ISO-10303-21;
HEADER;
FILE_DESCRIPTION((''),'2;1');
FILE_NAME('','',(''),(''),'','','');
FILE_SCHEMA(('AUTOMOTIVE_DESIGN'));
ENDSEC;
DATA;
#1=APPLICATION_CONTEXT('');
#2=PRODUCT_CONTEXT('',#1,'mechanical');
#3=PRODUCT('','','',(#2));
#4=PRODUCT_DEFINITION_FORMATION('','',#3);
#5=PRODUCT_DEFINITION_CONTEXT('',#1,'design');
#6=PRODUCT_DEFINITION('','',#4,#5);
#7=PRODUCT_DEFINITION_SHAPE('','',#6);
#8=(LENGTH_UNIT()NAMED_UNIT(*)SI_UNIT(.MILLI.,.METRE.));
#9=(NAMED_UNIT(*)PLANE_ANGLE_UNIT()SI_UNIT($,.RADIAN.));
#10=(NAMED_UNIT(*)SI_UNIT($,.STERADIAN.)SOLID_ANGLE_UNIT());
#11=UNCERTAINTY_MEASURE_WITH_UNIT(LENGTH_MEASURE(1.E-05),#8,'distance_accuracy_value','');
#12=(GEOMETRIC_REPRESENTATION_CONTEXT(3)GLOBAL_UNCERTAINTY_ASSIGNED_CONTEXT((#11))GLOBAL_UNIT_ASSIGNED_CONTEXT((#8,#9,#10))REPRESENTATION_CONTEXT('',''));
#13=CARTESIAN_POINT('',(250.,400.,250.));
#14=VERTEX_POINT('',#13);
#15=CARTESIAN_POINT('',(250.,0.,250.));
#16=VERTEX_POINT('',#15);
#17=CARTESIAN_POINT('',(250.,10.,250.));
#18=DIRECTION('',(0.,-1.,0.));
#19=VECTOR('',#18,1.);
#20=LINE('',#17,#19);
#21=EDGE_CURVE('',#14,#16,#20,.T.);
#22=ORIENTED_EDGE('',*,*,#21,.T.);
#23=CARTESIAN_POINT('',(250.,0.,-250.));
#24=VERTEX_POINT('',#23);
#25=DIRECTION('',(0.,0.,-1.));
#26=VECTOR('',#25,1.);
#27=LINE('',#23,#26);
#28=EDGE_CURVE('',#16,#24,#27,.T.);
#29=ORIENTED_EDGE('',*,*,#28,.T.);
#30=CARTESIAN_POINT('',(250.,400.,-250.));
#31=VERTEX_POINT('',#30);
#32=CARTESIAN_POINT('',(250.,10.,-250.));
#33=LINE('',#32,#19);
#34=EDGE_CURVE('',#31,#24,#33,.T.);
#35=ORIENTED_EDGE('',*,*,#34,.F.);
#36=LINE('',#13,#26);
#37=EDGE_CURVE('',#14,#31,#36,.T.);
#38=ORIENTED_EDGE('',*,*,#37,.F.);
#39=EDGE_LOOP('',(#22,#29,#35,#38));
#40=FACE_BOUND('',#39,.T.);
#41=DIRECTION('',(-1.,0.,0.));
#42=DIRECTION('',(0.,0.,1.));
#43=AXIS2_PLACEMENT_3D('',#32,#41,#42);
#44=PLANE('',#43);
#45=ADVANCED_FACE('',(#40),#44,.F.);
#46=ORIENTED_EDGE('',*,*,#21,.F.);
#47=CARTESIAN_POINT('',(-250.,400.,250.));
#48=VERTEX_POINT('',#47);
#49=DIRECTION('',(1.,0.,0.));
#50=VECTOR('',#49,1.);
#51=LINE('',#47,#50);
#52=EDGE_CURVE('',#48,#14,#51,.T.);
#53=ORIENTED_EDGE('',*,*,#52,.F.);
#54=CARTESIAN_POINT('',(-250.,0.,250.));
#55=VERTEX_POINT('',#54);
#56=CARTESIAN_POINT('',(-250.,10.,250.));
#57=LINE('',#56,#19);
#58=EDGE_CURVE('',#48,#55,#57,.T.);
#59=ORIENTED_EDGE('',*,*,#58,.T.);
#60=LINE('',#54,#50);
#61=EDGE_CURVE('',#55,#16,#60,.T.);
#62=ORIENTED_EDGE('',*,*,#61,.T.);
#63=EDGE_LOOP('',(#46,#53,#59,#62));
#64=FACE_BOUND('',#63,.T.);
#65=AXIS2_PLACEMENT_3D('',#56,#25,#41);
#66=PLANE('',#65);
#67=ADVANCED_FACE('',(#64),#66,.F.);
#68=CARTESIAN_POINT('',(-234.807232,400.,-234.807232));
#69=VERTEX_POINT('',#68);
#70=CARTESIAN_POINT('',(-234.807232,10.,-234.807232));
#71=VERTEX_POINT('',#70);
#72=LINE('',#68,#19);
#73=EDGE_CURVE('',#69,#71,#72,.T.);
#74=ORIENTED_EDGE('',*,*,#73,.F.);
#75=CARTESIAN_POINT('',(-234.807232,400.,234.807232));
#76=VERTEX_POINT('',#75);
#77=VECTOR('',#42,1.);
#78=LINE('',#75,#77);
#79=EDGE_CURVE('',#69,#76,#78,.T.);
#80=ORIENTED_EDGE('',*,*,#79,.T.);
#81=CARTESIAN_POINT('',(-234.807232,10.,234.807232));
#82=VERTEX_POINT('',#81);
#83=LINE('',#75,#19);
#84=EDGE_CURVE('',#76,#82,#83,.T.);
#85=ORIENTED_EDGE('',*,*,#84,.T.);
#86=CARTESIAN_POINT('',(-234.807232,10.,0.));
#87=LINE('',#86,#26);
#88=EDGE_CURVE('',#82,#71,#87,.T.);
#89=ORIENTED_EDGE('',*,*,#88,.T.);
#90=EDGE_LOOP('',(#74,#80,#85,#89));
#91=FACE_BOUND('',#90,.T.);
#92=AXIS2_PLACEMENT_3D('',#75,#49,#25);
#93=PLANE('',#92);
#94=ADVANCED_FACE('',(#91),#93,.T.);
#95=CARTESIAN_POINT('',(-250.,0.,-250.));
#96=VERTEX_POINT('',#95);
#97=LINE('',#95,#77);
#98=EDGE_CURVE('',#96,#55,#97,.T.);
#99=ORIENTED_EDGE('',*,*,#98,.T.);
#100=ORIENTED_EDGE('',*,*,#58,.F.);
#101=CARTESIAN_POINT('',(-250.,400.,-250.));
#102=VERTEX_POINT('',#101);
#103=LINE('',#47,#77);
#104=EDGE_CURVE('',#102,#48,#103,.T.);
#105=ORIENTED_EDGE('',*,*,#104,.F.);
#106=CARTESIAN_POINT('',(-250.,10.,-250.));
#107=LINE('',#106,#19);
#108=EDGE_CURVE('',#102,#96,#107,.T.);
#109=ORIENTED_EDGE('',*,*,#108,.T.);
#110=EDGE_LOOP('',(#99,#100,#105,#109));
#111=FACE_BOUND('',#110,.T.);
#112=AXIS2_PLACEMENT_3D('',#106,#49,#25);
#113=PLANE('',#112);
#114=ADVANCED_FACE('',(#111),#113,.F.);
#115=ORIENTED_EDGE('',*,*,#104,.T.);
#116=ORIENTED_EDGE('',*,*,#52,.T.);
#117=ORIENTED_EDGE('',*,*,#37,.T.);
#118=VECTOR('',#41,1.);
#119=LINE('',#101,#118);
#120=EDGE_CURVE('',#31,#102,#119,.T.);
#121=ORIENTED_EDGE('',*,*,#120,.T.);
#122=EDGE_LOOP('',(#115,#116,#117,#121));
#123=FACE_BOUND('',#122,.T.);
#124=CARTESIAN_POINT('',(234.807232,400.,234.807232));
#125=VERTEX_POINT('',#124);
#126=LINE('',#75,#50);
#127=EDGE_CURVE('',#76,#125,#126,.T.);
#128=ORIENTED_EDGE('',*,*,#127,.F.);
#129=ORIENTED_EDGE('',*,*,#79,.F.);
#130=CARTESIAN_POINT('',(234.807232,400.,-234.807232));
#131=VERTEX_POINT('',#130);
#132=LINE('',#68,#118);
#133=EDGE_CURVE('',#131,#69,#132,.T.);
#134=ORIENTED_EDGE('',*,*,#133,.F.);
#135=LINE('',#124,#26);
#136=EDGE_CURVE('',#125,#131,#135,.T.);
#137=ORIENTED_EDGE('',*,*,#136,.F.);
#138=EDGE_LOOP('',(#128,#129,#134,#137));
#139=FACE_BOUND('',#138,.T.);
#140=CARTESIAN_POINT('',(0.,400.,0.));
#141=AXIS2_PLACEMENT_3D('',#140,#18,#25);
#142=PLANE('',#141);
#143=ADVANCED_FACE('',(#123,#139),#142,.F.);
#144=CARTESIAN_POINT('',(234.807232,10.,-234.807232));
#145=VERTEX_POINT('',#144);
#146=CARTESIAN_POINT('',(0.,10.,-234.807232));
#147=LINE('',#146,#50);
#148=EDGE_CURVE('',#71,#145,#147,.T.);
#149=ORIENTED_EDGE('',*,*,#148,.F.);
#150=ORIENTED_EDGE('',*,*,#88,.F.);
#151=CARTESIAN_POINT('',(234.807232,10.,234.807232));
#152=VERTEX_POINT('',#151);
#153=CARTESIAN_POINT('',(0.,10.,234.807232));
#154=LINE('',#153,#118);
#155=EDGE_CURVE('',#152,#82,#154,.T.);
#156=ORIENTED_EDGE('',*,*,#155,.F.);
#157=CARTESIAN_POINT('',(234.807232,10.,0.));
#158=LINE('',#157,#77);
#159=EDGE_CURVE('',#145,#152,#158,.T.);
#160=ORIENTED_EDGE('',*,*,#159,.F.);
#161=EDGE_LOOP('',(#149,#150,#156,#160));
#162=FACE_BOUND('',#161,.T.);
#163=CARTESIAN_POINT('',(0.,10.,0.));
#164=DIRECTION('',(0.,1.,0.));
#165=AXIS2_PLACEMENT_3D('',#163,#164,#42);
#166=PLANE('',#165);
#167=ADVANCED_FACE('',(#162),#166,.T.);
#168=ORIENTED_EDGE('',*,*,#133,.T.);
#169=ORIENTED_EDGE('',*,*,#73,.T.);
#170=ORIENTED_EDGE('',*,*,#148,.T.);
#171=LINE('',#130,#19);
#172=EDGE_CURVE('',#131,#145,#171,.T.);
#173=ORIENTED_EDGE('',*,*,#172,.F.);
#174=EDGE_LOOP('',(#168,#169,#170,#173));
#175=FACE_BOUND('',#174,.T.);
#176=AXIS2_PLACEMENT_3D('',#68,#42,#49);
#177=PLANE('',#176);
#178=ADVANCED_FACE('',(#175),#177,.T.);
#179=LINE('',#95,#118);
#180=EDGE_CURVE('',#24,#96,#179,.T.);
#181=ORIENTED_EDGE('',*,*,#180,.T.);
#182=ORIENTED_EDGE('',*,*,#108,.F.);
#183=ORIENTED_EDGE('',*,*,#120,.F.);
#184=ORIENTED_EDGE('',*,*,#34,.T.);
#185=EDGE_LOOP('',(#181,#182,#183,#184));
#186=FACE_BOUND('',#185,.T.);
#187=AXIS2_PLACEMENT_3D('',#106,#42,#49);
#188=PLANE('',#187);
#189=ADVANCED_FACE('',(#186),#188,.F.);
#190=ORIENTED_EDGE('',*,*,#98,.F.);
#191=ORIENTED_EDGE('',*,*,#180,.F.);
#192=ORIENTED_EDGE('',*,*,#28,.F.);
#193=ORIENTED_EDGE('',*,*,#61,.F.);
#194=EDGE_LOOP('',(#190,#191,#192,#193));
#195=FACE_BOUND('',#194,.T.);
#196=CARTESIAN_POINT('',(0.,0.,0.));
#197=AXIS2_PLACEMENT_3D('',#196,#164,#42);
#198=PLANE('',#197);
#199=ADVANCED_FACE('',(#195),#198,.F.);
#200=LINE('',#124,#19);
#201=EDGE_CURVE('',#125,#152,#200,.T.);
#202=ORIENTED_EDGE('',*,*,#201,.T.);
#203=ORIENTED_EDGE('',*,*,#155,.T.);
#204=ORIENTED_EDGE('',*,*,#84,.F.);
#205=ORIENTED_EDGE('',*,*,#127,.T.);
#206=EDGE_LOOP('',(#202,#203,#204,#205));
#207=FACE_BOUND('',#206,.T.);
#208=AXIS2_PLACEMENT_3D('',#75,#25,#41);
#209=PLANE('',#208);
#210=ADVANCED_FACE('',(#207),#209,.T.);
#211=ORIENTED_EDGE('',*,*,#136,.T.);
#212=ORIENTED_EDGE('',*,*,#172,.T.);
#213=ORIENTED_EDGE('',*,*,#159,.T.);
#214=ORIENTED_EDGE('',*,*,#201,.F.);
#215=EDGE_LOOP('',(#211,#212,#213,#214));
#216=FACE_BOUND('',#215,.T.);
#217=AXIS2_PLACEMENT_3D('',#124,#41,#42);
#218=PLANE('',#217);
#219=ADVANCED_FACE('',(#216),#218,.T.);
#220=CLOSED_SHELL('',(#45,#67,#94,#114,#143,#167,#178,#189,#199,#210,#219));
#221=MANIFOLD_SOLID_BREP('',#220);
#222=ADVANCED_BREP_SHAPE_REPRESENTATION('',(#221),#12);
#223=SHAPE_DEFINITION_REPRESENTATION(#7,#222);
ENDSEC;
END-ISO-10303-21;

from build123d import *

# Parameters (mm, degrees)
SKETCH1_W           = 500
SKETCH1_H           = 500
BOSS_EXTRUDE1_DEPTH = 10
SKETCH2_W           = 500
SKETCH2_H           = 500
SKETCH2_W_2         = 469.614463364
SKETCH2_H_2         = 469.614463364
BOSS_EXTRUDE2_DEPTH = 400


with BuildPart() as part:
    # Sketch1 → Boss-Extrude1 (new body)
    with BuildSketch(Plane(origin=(0, 0, 0), x_dir=(1, 0, 0), z_dir=(0, 1, 0))):
        Rectangle(SKETCH1_W, SKETCH1_H)
    extrude(amount=BOSS_EXTRUDE1_DEPTH)

    # Sketch2 → Boss-Extrude2 (add)
    with BuildSketch(Plane(origin=(0, 0, 0), x_dir=(1, 0, 0), z_dir=(0, 1, 0))):
        Rectangle(SKETCH2_W, SKETCH2_H)
        Rectangle(SKETCH2_W_2, SKETCH2_H_2, mode=Mode.SUBTRACT)
    extrude(amount=BOSS_EXTRUDE2_DEPTH)


solid = part.part
